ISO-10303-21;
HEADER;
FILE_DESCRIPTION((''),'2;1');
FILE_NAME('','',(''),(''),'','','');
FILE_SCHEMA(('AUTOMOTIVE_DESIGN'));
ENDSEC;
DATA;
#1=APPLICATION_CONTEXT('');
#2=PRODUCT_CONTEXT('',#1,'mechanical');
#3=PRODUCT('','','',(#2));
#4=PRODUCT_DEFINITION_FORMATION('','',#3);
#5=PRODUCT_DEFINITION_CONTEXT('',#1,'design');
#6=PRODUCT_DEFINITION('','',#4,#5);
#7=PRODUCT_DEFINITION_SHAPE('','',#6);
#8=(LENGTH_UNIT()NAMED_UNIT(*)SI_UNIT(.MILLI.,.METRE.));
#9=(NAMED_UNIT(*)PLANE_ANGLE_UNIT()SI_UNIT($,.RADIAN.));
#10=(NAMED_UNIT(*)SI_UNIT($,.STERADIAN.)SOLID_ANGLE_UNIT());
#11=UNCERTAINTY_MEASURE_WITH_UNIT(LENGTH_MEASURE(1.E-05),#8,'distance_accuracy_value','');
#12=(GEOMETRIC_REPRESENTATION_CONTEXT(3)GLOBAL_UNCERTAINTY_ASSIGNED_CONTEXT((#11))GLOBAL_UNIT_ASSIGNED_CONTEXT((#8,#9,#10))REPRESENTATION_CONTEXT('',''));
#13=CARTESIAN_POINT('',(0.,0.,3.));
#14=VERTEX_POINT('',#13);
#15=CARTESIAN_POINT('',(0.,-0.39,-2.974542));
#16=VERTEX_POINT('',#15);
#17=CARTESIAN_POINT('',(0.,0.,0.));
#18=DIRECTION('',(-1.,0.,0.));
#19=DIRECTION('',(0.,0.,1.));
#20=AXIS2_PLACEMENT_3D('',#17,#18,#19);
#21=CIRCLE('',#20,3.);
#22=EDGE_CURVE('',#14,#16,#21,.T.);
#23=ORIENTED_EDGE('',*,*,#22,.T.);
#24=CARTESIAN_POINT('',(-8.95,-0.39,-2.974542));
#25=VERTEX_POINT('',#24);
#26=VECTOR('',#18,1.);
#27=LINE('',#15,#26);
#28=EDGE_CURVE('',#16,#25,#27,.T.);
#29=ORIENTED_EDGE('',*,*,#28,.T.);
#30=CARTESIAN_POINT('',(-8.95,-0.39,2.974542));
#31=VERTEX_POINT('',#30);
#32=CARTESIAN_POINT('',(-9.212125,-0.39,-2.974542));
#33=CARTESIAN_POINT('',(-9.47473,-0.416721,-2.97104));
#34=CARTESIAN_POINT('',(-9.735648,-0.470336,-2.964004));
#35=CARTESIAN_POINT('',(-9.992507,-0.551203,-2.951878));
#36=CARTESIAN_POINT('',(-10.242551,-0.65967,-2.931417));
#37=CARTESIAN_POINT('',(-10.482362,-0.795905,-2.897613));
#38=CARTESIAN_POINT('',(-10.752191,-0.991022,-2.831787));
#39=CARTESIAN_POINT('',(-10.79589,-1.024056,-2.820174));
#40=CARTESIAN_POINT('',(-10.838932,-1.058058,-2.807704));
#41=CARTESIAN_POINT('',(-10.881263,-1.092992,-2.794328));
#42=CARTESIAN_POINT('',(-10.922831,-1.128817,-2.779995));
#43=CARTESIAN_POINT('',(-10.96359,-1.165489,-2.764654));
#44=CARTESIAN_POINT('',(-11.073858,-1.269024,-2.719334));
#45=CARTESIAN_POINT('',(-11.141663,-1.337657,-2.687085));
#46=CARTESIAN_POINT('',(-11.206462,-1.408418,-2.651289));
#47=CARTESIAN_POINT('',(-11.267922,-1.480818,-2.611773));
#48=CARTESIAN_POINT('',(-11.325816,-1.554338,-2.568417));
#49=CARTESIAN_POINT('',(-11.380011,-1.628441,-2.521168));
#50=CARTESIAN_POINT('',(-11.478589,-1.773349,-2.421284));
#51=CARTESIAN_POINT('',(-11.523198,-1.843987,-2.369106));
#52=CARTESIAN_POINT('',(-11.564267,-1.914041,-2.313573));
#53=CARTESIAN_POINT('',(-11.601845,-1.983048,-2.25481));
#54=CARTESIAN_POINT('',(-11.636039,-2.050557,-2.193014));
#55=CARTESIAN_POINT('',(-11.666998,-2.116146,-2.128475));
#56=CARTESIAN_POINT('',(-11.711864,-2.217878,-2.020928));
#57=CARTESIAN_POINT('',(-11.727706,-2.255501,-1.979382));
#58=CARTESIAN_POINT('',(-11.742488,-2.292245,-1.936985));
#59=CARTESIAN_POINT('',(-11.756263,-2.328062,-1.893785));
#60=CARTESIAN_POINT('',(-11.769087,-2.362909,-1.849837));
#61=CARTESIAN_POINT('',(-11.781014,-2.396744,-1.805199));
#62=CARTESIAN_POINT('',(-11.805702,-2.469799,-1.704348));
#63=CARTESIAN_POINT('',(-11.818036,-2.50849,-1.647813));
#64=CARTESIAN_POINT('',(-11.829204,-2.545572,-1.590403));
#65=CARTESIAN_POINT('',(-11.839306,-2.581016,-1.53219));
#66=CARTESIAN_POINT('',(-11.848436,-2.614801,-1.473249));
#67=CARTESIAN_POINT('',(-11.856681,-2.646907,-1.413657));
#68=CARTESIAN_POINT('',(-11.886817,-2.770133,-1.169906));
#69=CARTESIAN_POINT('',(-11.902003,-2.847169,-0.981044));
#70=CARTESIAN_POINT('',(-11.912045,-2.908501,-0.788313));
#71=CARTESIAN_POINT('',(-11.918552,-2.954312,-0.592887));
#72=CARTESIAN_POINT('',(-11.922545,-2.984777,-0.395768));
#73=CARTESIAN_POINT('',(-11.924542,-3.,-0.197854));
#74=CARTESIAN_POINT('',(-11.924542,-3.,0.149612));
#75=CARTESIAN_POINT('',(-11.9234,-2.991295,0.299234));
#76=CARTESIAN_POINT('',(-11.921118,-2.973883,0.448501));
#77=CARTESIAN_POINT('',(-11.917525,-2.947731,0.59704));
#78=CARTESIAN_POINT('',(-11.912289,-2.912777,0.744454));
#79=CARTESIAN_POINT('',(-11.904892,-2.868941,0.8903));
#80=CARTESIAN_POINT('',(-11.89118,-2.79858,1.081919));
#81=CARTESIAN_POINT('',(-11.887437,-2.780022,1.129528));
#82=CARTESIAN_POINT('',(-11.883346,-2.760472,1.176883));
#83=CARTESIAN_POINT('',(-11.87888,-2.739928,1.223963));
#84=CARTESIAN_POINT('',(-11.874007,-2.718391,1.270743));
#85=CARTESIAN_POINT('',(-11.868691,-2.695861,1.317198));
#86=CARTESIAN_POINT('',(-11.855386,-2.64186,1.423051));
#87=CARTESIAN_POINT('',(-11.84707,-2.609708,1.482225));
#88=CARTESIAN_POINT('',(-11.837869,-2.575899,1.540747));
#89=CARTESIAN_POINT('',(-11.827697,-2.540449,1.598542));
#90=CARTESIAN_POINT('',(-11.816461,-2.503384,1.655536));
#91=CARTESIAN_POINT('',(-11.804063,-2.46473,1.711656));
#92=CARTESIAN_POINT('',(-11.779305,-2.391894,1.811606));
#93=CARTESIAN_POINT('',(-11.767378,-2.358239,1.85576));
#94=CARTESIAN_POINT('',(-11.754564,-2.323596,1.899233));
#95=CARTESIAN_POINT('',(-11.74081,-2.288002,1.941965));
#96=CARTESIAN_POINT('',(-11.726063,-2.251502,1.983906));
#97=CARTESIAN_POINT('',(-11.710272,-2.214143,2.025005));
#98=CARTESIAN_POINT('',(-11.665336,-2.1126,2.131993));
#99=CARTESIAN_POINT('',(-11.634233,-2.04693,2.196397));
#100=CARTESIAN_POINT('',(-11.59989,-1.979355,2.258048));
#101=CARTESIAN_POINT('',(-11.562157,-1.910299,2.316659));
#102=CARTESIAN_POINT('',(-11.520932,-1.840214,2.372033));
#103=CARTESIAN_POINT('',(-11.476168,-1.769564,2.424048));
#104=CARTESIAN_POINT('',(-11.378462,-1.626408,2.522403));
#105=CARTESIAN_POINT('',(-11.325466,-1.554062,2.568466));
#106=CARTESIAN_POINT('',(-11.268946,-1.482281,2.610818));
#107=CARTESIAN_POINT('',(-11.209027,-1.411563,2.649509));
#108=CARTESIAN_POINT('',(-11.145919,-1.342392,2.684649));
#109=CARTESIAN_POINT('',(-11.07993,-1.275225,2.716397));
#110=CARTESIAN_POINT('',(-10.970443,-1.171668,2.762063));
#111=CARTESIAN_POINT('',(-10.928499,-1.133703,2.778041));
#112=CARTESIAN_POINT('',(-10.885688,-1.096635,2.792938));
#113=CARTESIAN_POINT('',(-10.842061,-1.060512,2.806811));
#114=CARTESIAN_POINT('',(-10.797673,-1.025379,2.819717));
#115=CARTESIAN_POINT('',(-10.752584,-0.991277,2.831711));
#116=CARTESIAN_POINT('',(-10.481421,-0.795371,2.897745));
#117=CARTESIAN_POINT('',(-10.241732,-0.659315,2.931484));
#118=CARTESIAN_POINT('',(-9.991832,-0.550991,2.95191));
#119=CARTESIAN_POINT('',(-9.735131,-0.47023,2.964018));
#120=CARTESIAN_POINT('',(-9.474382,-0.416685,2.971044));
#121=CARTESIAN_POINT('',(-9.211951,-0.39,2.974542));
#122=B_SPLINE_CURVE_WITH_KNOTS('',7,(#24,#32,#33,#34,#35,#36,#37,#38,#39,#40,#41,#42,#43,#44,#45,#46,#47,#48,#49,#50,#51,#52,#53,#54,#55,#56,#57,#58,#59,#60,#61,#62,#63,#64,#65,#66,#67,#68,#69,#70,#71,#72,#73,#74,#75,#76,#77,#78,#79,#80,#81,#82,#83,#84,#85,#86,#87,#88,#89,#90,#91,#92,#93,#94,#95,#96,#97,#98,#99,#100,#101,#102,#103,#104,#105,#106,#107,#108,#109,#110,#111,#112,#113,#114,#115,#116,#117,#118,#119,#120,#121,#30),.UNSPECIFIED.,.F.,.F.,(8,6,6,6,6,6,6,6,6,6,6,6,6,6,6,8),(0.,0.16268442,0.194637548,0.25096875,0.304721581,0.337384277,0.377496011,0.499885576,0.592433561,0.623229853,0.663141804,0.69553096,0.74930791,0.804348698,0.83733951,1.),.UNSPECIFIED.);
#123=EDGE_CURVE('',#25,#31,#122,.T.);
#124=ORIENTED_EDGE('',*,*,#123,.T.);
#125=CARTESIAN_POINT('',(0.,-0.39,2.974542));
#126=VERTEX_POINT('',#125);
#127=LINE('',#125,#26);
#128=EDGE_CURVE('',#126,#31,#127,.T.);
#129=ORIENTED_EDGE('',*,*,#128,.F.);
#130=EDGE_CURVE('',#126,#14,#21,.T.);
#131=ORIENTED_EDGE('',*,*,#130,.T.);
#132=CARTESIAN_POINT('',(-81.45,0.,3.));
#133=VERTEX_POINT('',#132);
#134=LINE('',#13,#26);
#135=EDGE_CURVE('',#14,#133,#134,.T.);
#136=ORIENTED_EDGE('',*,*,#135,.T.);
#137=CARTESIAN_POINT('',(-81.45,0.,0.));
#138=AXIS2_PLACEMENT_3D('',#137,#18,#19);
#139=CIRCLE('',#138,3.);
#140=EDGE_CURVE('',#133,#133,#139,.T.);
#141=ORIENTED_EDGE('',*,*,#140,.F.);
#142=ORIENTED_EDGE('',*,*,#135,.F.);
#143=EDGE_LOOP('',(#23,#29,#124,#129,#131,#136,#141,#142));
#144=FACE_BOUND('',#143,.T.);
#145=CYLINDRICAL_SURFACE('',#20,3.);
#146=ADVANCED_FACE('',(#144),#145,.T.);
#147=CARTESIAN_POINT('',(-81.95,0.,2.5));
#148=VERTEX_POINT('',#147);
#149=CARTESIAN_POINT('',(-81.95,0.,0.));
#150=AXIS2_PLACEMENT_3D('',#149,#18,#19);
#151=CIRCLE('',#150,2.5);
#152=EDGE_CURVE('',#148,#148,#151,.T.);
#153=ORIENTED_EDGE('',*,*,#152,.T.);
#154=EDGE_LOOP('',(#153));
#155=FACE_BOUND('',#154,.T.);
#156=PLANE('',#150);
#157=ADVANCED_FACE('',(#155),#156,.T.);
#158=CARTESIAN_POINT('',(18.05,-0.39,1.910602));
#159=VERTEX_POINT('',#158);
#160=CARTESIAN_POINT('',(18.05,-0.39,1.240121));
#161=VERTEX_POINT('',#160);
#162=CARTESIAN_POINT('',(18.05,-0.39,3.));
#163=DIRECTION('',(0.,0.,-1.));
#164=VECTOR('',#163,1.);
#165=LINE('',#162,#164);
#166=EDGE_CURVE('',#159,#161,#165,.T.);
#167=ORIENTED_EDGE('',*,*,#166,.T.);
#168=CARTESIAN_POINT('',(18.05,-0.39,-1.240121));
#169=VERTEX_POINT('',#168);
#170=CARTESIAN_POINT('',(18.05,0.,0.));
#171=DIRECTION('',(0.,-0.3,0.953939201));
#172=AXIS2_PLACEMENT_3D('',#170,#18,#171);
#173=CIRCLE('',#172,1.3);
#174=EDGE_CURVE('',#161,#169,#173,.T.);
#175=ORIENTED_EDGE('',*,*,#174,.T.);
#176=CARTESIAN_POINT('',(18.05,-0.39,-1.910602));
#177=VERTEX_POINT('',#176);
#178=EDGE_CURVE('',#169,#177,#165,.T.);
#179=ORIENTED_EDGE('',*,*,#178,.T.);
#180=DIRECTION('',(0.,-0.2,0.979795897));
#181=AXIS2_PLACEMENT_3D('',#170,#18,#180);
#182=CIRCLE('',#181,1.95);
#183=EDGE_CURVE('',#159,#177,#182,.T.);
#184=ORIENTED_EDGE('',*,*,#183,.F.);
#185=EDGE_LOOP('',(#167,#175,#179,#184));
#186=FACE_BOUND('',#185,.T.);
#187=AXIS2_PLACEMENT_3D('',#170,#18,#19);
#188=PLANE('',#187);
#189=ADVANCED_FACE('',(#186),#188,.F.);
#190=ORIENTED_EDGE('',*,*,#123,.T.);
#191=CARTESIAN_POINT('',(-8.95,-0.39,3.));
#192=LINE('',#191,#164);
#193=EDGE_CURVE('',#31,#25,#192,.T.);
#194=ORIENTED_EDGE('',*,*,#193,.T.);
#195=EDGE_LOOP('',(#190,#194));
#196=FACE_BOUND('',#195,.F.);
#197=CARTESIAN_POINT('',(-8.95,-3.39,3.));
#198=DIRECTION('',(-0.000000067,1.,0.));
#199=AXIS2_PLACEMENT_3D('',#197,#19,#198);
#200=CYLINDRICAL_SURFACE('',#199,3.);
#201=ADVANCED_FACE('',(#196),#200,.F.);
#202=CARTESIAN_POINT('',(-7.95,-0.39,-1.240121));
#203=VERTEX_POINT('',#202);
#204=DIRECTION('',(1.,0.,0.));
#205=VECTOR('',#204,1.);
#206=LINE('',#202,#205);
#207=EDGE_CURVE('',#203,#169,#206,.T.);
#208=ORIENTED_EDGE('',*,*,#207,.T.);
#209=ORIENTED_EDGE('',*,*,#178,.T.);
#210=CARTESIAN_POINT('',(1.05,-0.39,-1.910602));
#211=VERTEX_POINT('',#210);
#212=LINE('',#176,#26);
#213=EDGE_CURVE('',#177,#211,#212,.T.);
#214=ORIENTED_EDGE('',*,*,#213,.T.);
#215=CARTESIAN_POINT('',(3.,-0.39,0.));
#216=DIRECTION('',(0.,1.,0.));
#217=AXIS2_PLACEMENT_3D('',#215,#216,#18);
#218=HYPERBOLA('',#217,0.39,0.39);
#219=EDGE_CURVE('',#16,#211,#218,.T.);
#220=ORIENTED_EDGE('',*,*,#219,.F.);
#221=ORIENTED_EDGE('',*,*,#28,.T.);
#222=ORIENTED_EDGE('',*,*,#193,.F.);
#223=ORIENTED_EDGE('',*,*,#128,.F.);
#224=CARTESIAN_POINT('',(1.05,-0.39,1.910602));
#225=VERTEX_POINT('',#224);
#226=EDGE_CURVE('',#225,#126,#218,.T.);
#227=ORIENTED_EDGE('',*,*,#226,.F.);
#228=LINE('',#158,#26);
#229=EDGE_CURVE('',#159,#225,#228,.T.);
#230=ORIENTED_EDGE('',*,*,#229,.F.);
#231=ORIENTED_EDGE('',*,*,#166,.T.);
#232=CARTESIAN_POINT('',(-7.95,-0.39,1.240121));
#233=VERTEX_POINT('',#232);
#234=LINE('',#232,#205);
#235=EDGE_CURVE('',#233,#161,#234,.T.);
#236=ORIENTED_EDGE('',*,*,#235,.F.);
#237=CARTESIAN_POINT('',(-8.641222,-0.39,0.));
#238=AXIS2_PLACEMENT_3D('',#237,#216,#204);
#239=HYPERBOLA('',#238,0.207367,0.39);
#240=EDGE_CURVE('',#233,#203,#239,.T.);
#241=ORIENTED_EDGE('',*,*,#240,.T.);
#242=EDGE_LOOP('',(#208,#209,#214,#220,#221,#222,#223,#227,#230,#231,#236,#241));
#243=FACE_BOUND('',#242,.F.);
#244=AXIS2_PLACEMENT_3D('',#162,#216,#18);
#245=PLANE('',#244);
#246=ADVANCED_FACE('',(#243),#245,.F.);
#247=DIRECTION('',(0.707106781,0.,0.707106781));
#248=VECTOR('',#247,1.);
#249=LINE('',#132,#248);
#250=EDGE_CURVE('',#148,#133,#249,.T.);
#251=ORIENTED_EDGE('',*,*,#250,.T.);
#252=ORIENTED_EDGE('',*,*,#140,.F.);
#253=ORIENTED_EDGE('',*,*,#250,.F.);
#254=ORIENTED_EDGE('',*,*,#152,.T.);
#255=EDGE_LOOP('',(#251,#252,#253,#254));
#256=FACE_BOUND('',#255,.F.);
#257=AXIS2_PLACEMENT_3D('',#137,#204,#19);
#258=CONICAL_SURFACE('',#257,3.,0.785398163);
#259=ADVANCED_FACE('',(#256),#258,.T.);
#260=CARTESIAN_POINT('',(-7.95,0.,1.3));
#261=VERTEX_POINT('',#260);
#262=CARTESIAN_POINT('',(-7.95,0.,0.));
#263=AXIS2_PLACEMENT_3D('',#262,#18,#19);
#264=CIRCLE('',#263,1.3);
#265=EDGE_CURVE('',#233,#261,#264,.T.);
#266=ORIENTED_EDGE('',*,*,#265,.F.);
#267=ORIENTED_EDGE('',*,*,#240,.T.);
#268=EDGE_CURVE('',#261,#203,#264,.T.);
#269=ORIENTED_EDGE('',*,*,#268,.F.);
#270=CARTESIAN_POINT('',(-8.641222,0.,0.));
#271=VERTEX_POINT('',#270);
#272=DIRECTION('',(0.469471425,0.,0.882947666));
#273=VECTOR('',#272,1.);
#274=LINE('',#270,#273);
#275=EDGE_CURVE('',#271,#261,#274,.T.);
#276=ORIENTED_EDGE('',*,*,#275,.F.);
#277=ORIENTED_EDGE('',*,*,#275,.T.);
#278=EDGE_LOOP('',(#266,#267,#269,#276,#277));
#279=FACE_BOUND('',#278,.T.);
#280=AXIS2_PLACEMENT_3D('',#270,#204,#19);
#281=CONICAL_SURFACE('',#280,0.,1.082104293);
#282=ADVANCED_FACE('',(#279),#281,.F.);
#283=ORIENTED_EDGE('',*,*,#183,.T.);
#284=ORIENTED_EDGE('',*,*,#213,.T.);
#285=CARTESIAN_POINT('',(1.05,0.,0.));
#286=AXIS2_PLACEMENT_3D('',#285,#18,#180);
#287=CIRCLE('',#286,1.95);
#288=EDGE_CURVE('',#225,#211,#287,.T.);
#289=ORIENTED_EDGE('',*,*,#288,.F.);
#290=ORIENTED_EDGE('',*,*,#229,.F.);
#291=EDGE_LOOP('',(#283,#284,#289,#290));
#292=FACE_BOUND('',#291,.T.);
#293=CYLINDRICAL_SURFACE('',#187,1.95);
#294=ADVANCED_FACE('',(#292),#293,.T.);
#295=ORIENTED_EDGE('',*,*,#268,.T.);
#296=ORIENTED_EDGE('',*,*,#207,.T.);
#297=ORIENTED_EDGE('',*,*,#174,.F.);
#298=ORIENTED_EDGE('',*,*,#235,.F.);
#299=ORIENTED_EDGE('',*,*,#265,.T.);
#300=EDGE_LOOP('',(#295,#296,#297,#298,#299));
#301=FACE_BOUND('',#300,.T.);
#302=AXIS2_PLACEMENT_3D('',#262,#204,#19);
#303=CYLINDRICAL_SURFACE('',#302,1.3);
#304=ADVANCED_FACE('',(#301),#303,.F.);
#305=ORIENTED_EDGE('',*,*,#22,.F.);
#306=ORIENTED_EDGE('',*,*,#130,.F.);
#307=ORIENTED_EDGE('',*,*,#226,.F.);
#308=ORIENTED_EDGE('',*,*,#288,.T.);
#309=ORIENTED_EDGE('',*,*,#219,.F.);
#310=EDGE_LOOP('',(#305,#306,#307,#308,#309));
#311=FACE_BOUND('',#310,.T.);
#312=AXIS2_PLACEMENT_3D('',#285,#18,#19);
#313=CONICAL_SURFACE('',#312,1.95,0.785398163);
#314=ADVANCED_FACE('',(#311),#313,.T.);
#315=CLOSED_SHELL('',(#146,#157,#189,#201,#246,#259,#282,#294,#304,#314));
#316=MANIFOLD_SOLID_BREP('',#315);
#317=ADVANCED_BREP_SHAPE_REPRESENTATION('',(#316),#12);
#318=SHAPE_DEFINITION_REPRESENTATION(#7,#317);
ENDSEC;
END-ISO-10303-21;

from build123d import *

# Parameters (mm, degrees)
F4_DEPTH = 25
F5_SIZE  = 0.5


with BuildPart() as f1:
    # F0 (on Front) → F1 (revolve)
    with BuildSketch(Plane.XZ):
        Polygon((-81.95, 3), (-81.95, 0), (-8.641222, 0), (-7.95, 1.3), (18.05, 1.3), (18.05, 1.95), (1.05, 1.95), (0, 3), align=None)
    revolve(axis=Axis((-31.95, 0, 0), (-1, 0, 0)))

    # F3 (on offset) → F4 (cut)
    with BuildSketch(Plane.XY.offset(3)):
        with BuildLine():
            ThreePointArc((-8.95, -0.39), (-11.07132, -5.51132), (-5.95, -3.39))
            Line((-5.95, -3.39), (-8.95, -3.39))
            Line((-8.95, -3.39), (-8.95, -0.39))
        make_face()
        with BuildLine():
            ThreePointArc((-8.95, -0.39), (-6.82868, -1.26868), (-5.95, -3.39))
            Line((-5.95, -3.39), (18.05, -3.39))
            Line((18.05, -3.39), (18.05, -1.95))
            Line((18.05, -1.95), (18.05, -0.39))
            Line((18.05, -0.39), (-8.95, -0.39))
        make_face()
        with BuildLine():
            Line((-8.95, -3.39), (-5.95, -3.39))
            ThreePointArc((-5.95, -3.39), (-6.82868, -1.26868), (-8.95, -0.39))
            Line((-8.95, -0.39), (-8.95, -3.39))
        make_face()
    extrude(amount=-F4_DEPTH, mode=Mode.SUBTRACT)

    # F5
    f5_edges = [f1.edges().sort_by_distance(p)[0] for p in [
        (-81.95, 0, -3),
    ]]
    chamfer(f5_edges, length=F5_SIZE)


solid = f1.part
